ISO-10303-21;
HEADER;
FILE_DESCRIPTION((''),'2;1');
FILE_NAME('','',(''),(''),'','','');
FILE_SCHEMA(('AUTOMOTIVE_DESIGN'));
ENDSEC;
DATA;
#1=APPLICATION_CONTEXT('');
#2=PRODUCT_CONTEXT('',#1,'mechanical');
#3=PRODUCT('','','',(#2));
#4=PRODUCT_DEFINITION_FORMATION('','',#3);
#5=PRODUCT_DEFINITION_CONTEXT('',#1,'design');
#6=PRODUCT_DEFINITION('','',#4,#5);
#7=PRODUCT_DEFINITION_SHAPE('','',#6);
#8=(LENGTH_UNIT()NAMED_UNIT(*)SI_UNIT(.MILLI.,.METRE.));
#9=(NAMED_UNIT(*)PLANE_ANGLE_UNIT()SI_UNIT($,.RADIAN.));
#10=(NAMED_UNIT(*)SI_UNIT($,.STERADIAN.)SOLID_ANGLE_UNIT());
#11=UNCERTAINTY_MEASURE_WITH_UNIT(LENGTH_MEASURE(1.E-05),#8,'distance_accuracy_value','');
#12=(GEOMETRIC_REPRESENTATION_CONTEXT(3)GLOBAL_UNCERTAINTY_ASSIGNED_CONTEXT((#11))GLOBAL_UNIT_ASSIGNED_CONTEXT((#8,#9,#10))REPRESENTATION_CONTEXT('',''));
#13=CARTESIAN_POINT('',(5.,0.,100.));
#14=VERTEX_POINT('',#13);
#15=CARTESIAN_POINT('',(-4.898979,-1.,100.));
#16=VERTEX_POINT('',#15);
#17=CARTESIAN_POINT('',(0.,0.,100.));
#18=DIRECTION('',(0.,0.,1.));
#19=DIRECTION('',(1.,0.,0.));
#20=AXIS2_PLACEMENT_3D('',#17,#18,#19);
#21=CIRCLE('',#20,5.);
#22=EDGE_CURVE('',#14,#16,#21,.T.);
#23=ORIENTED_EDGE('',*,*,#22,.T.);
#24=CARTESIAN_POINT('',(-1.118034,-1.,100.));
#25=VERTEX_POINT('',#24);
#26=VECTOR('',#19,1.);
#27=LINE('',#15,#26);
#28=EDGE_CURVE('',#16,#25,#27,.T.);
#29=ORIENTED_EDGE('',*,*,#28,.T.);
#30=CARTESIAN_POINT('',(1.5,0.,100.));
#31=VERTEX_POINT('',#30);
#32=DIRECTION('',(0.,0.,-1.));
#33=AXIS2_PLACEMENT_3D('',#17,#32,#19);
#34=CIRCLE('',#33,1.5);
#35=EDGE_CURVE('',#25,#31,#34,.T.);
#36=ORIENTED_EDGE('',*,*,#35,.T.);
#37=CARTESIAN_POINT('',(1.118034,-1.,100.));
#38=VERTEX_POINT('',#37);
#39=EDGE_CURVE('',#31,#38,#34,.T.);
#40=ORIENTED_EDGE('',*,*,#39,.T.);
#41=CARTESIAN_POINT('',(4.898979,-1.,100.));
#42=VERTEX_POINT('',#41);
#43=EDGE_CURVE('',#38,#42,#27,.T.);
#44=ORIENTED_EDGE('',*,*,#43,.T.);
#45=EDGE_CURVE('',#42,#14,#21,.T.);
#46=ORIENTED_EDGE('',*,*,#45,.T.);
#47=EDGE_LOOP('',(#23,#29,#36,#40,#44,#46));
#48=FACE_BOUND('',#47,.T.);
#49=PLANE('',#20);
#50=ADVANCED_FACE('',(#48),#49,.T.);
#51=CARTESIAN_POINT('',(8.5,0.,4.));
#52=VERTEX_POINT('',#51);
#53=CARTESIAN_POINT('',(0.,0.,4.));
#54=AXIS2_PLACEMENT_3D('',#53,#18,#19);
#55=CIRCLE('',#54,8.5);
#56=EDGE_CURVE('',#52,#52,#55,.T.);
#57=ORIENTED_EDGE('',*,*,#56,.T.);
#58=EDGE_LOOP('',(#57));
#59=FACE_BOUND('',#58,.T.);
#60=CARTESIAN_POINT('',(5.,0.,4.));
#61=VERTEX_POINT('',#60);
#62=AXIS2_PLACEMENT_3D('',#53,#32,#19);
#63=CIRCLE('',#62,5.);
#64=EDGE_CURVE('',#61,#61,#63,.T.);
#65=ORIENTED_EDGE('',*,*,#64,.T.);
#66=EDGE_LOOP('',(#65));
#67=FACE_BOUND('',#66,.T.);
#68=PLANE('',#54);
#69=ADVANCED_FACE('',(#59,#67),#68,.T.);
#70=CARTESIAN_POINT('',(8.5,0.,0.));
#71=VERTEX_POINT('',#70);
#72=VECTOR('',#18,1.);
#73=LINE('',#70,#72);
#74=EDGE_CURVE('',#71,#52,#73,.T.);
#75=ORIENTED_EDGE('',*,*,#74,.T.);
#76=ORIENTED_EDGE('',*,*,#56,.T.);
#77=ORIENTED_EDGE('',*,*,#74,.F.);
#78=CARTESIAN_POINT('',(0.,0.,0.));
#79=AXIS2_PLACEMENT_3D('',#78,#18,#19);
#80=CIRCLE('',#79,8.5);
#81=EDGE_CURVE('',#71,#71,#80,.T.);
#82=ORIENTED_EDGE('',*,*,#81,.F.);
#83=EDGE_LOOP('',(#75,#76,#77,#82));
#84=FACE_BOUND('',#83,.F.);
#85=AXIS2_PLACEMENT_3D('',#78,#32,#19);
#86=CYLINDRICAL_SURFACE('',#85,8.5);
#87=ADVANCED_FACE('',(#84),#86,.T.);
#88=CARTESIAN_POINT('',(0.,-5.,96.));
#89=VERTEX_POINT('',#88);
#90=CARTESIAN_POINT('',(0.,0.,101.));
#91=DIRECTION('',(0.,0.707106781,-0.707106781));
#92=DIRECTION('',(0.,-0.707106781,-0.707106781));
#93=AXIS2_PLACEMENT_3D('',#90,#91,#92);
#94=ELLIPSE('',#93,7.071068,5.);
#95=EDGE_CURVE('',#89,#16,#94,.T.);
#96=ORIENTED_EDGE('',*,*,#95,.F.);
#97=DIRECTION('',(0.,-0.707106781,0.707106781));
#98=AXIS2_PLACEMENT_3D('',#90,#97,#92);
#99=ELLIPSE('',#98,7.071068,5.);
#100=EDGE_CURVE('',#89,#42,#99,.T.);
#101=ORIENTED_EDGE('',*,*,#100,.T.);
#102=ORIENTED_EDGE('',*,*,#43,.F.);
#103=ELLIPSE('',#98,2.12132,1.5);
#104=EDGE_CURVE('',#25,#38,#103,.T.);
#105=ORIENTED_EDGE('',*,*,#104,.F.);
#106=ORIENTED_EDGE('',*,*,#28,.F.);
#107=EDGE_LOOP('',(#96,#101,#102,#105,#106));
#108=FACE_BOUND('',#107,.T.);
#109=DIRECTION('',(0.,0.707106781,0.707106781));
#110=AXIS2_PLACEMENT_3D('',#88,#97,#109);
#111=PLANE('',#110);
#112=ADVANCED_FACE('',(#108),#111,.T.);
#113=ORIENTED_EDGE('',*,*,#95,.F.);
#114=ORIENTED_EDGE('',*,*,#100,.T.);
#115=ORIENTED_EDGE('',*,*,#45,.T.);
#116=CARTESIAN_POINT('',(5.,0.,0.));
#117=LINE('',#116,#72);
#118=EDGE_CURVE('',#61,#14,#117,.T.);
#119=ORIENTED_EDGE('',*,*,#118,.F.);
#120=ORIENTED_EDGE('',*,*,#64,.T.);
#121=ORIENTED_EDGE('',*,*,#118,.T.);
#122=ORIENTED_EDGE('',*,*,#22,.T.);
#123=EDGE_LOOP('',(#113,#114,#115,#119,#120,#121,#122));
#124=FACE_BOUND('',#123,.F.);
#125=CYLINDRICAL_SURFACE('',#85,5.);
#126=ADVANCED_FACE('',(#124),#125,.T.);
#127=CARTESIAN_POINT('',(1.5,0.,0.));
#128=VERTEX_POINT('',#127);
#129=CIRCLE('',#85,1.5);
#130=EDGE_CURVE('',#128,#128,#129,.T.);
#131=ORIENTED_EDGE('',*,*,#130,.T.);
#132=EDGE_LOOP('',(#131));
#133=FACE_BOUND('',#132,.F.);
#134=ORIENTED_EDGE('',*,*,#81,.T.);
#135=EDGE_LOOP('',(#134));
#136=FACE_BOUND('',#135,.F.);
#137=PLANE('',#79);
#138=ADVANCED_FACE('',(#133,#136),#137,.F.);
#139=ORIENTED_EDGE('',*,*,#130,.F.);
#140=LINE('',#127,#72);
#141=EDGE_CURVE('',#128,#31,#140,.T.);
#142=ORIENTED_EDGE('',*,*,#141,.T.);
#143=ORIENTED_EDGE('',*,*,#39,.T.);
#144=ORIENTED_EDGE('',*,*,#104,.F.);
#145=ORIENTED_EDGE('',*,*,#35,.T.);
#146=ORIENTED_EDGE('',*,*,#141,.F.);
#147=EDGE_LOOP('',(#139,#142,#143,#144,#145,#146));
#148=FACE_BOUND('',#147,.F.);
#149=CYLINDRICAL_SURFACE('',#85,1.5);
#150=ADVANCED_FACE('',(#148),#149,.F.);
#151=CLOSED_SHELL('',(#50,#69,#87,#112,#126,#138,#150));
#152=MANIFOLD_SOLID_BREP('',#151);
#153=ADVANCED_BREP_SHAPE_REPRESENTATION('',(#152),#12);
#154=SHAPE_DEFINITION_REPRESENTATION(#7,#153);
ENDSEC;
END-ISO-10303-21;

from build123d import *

# Parameters (mm, degrees)
F0_R          = 8.5
F1_DEPTH      = 4
F2_R          = 5
F3_DEPTH      = 100
F5_DEPTH      = 25
F5_DEPTH_BACK = 25
F6_R          = 1.5
F7_DEPTH      = 130.6


with BuildPart() as f1:
    # F0 (on Top) → F1 (new body)
    with BuildSketch(Plane.XY):
        Circle(F0_R)
    extrude(amount=F1_DEPTH)

    # F2 (on Top) → F3 (join)
    with BuildSketch(Plane.XY):
        Circle(F2_R)
    extrude(amount=F3_DEPTH)

    # F4 (on Right) → F5 (cut, two sides)
    with BuildSketch(Plane.YZ) as f5_sk:
        Polygon((0, 101), (-5, 101), (-5, 96), align=None)
    extrude(amount=F5_DEPTH, mode=Mode.SUBTRACT)
    extrude(f5_sk.sketch, amount=-F5_DEPTH_BACK, mode=Mode.SUBTRACT)

    # F6 (on face) → F7 (cut)
    with BuildSketch(Plane(origin=(0, 0, 0), x_dir=(1, 0, 0), z_dir=(0, 0, -1))):
        Circle(F6_R)
    extrude(amount=-F7_DEPTH, mode=Mode.SUBTRACT)


solid = f1.part
